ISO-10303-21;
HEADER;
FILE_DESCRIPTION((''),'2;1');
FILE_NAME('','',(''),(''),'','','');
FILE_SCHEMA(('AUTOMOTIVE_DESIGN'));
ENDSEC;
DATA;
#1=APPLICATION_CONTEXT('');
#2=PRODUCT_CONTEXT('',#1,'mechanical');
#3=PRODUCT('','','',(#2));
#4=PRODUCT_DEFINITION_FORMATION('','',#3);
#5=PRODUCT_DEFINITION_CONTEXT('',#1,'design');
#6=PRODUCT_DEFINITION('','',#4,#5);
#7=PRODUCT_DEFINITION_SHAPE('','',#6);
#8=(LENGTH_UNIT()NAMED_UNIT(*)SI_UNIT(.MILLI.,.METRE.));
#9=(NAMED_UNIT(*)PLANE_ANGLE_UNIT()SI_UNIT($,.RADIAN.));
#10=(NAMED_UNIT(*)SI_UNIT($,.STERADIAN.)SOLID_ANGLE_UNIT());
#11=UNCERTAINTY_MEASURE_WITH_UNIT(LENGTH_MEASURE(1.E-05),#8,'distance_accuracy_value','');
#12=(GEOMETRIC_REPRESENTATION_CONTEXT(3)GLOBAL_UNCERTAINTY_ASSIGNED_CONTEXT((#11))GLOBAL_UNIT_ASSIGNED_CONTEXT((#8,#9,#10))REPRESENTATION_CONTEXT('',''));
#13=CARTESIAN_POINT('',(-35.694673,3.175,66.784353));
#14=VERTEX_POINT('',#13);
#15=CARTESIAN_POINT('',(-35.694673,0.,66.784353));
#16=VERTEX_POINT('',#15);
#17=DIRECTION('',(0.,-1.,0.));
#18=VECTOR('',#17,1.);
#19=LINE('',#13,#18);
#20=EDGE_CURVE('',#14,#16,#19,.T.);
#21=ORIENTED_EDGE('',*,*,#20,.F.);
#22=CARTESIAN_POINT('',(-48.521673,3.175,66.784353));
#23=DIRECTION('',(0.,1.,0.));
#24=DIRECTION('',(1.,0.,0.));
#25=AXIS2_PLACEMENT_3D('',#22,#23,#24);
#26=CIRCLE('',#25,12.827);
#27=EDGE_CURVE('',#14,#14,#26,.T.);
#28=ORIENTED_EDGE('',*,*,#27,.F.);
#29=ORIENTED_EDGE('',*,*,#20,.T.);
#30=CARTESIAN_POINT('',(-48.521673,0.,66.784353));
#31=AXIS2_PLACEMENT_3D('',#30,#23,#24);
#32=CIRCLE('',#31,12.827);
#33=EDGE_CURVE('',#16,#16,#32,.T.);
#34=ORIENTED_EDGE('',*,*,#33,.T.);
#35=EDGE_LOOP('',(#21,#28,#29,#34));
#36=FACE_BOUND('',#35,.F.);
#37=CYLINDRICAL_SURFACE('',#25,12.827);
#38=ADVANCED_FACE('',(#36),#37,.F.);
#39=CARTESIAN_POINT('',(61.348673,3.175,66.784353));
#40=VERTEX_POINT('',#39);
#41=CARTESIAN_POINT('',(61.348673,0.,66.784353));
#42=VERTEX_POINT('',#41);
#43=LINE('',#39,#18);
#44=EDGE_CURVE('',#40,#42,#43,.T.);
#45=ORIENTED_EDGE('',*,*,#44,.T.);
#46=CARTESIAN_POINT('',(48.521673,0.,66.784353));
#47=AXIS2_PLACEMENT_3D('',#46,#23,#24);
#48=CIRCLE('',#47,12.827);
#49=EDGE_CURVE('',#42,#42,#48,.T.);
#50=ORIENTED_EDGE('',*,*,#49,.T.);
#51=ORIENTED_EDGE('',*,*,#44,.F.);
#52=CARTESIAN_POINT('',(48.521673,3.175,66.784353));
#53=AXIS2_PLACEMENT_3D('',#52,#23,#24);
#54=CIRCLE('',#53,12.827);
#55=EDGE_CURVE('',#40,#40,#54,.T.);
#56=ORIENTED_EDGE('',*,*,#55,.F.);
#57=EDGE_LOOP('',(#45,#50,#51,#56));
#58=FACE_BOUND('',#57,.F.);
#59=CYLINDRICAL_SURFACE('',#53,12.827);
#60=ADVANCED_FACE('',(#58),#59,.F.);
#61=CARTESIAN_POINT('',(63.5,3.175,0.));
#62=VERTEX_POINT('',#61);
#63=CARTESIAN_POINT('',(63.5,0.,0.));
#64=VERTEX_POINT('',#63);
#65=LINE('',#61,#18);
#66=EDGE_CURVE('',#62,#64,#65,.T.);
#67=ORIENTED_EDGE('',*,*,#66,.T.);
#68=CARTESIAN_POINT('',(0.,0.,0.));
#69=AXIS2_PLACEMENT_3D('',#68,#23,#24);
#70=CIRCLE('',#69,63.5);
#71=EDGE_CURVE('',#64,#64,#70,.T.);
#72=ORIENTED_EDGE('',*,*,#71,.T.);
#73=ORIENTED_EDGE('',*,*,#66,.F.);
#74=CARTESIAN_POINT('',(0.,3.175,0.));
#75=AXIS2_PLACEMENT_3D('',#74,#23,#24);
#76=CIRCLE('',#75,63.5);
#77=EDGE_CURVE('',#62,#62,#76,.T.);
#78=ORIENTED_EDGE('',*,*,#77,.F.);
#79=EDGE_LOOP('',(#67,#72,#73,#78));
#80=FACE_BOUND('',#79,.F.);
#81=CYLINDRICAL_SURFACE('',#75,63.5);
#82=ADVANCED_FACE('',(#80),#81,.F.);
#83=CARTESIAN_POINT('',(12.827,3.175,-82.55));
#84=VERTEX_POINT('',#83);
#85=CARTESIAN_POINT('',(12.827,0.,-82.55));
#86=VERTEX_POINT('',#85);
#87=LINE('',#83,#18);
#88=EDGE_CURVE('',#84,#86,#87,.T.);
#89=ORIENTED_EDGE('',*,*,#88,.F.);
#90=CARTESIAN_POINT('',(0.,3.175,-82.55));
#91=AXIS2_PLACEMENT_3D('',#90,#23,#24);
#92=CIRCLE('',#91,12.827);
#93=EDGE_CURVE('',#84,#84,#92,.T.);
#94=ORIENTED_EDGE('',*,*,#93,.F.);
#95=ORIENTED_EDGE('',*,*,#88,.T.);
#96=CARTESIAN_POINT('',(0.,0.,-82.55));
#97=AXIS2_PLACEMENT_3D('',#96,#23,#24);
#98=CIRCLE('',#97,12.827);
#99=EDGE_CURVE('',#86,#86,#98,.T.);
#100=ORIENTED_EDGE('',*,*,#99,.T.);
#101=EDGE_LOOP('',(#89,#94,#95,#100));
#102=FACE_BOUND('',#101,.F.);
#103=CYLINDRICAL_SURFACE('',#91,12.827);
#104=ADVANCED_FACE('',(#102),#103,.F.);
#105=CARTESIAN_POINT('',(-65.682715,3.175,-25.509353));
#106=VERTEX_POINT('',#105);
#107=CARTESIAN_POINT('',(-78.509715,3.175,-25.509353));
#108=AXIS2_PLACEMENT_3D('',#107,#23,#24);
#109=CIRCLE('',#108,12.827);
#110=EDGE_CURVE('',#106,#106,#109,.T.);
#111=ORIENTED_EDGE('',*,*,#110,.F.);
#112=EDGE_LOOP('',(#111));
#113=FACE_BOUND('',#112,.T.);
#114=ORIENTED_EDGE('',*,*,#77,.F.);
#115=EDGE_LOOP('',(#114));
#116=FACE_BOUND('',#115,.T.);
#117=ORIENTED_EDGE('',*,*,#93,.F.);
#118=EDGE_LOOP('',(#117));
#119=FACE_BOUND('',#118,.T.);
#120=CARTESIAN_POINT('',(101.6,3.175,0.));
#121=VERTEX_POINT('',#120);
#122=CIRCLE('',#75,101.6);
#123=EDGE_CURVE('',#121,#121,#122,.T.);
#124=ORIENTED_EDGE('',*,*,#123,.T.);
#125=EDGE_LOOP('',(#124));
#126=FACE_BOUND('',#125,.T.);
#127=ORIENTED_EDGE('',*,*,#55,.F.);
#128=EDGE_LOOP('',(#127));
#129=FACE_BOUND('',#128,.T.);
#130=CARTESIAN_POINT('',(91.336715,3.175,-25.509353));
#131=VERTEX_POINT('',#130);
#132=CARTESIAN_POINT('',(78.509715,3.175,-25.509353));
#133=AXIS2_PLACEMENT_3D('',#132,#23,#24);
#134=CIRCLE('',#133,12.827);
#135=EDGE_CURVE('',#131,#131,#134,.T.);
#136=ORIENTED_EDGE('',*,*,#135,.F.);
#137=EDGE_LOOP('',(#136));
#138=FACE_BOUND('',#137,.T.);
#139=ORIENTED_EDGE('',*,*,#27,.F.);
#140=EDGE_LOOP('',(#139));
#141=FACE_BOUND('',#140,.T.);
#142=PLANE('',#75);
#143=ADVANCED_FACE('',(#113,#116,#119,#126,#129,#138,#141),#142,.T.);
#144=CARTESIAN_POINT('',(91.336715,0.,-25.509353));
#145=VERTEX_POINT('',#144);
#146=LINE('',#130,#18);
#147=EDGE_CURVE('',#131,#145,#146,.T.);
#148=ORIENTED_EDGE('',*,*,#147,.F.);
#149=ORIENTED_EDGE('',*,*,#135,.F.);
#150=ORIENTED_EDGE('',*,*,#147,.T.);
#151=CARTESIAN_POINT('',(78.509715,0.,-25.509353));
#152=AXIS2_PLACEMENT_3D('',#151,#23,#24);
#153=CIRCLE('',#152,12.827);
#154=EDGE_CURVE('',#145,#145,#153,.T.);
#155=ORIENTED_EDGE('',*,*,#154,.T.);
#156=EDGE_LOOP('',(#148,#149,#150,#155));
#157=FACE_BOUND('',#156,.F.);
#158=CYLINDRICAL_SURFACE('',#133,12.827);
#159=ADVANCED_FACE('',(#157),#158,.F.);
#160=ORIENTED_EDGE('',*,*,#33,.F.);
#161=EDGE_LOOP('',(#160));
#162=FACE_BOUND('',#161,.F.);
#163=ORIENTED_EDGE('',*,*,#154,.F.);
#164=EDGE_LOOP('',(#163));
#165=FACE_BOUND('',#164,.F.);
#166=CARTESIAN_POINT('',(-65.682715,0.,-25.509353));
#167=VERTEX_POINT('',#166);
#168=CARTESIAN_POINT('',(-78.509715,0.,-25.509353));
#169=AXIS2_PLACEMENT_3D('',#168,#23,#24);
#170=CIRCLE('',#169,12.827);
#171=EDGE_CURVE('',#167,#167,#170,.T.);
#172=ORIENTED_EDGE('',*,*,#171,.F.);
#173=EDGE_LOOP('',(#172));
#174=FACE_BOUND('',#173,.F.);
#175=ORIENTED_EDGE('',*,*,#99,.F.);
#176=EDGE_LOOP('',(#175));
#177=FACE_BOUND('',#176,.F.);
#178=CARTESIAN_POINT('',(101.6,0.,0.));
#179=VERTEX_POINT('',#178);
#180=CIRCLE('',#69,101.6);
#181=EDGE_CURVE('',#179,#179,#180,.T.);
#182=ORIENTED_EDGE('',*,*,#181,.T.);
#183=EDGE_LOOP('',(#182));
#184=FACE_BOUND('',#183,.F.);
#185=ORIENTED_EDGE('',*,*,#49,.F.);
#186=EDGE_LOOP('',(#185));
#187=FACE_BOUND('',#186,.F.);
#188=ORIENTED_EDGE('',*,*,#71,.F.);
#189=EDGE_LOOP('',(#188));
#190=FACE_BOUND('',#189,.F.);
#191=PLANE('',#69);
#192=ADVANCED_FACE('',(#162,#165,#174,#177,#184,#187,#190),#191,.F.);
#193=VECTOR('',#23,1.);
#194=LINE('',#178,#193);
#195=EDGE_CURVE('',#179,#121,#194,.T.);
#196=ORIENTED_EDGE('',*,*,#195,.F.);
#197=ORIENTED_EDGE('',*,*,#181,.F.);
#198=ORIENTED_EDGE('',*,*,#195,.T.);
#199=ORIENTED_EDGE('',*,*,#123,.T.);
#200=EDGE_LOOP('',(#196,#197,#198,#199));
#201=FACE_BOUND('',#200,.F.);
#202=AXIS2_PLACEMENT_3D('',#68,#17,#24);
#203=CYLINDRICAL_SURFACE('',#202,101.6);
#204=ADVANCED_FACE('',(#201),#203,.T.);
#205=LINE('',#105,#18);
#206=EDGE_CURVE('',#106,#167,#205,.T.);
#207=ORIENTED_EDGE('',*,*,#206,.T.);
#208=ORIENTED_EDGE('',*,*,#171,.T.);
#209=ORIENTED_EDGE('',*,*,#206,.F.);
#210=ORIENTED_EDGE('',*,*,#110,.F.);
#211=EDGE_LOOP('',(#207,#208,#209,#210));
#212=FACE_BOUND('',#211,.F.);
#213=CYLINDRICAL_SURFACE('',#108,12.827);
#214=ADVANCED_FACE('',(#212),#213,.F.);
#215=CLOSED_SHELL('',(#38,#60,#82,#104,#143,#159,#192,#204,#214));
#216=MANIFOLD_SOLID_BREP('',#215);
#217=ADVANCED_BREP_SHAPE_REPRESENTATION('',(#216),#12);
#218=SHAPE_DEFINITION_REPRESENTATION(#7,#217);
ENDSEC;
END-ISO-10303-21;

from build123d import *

# Parameters (mm, degrees)
SKETCH1_R           = 101.6
BOSS_EXTRUDE1_DEPTH = 3.175
SKETCH2_R           = 12.827
CUT_EXTRUDE1_DEPTH  = 3.175
SKETCH3_R           = 63.5
CUT_EXTRUDE2_DEPTH  = 4.175


with BuildPart() as part:
    # Sketch1 → Boss-Extrude1 (new body)
    with BuildSketch(Plane(origin=(0, 0, 0), x_dir=(1, 0, 0), z_dir=(0, 1, 0))):
        Circle(SKETCH1_R)
    extrude(amount=BOSS_EXTRUDE1_DEPTH)

    # Sketch2 → Cut-Extrude1 (cut)
    with BuildSketch(Plane(origin=(0, 3.175, 0), x_dir=(1, 0, 0), z_dir=(0, 1, 0))):
        with Locations((0, 82.55)):
            Circle(SKETCH2_R)
        with Locations((78.50971542, 25.509352886)):
            Circle(SKETCH2_R)
        with Locations((48.521672577, -66.784352886)):
            Circle(SKETCH2_R)
        with Locations((-48.521672577, -66.784352886)):
            Circle(SKETCH2_R)
        with Locations((-78.50971542, 25.509352886)):
            Circle(SKETCH2_R)
    extrude(amount=-CUT_EXTRUDE1_DEPTH, mode=Mode.SUBTRACT)

    # Sketch3 → Cut-Extrude2 (cut, through all)
    with BuildSketch(Plane(origin=(0, 3.175, 0), x_dir=(1, 0, 0), z_dir=(0, 1, 0))):
        Circle(SKETCH3_R)
    extrude(amount=-CUT_EXTRUDE2_DEPTH, mode=Mode.SUBTRACT)


solid = part.part
